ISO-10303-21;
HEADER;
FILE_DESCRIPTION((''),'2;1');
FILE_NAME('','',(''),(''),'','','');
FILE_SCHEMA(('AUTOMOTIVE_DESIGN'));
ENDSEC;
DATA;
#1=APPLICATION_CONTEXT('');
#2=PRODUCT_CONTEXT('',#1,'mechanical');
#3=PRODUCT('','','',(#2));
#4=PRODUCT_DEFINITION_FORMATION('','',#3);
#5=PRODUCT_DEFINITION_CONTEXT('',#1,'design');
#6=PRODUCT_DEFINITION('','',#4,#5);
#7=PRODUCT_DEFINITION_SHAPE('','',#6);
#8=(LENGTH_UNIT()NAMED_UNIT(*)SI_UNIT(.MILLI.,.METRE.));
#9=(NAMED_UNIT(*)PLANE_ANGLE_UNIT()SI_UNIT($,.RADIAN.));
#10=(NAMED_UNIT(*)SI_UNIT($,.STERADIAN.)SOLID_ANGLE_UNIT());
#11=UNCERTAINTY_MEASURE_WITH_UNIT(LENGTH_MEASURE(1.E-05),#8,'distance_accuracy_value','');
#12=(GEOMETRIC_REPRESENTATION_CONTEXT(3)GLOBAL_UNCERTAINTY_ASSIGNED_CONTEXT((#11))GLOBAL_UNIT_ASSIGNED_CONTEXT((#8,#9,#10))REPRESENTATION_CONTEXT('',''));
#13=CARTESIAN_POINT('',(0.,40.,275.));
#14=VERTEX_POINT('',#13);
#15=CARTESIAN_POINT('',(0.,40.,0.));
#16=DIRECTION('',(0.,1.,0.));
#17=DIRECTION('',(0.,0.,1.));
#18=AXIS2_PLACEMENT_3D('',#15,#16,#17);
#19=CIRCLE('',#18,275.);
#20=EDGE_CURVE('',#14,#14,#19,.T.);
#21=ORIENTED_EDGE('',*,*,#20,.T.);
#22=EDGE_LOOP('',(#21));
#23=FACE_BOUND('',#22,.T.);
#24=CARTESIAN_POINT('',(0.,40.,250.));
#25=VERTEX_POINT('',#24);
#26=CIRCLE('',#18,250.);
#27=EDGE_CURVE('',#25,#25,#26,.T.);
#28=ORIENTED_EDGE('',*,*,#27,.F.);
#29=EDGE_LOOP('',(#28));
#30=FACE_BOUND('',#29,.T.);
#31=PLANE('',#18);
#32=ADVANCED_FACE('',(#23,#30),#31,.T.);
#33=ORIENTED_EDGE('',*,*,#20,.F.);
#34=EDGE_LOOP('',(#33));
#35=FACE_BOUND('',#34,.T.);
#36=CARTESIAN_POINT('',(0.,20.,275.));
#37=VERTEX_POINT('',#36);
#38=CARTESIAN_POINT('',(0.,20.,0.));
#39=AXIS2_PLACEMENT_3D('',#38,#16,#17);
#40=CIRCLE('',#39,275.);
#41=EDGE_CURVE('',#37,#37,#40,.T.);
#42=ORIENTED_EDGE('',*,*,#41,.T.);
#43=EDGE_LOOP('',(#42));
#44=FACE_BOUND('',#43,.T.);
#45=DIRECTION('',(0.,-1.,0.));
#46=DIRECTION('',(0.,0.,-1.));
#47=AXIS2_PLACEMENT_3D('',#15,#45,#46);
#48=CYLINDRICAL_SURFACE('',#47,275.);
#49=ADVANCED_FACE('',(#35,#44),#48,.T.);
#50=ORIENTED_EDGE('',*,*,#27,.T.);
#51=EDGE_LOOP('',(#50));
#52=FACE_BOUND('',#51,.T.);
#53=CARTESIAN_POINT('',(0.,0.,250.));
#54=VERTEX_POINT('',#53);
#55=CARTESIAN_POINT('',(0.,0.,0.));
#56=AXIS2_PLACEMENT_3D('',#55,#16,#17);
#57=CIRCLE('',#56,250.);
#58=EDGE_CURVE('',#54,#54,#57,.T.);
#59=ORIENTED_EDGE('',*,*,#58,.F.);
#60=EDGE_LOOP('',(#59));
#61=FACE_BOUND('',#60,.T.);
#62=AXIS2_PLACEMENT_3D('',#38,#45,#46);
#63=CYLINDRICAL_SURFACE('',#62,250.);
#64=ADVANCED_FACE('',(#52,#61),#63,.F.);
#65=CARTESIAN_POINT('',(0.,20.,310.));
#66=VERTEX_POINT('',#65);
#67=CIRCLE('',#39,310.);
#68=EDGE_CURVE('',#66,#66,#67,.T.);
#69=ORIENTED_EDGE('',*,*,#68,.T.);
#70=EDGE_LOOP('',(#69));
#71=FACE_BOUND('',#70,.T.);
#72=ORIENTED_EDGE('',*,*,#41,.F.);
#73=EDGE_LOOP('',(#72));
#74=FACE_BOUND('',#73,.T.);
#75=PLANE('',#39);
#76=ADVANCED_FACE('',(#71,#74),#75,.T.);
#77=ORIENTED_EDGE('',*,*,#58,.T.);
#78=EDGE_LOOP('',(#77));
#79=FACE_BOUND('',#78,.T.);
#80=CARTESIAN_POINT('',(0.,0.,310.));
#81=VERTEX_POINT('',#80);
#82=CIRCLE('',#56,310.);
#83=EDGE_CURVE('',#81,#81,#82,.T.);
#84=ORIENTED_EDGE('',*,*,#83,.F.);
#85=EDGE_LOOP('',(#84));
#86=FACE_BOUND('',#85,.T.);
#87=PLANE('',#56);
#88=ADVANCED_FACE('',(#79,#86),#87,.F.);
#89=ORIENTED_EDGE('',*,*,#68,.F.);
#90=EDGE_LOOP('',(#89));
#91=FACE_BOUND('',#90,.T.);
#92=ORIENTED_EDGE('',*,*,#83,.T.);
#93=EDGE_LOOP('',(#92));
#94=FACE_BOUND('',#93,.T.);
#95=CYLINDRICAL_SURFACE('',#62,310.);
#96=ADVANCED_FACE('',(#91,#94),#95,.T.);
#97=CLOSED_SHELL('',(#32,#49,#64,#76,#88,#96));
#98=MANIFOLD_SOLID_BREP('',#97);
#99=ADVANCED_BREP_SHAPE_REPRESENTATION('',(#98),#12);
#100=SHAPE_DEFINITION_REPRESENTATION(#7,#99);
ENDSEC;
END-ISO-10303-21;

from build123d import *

# Parameters (mm, degrees)
SKETCH1_R           = 310
SKETCH1_R_2         = 250
BOSS_EXTRUDE1_DEPTH = 20
SKETCH2_R           = 275
SKETCH2_R_2         = 250
BOSS_EXTRUDE2_DEPTH = 20


with BuildPart() as part:
    # Sketch1 → Boss-Extrude1 (new body)
    with BuildSketch(Plane(origin=(0, 0, 0), x_dir=(1, 0, 0), z_dir=(0, 1, 0))):
        Circle(SKETCH1_R)
        Circle(SKETCH1_R_2, mode=Mode.SUBTRACT)
    extrude(amount=BOSS_EXTRUDE1_DEPTH)

    # Sketch2 → Boss-Extrude2 (add)
    with BuildSketch(Plane(origin=(0, 20, 0), x_dir=(1, 0, 0), z_dir=(0, 1, 0))):
        Circle(SKETCH2_R)
        Circle(SKETCH2_R_2, mode=Mode.SUBTRACT)
    extrude(amount=BOSS_EXTRUDE2_DEPTH)


solid = part.part
